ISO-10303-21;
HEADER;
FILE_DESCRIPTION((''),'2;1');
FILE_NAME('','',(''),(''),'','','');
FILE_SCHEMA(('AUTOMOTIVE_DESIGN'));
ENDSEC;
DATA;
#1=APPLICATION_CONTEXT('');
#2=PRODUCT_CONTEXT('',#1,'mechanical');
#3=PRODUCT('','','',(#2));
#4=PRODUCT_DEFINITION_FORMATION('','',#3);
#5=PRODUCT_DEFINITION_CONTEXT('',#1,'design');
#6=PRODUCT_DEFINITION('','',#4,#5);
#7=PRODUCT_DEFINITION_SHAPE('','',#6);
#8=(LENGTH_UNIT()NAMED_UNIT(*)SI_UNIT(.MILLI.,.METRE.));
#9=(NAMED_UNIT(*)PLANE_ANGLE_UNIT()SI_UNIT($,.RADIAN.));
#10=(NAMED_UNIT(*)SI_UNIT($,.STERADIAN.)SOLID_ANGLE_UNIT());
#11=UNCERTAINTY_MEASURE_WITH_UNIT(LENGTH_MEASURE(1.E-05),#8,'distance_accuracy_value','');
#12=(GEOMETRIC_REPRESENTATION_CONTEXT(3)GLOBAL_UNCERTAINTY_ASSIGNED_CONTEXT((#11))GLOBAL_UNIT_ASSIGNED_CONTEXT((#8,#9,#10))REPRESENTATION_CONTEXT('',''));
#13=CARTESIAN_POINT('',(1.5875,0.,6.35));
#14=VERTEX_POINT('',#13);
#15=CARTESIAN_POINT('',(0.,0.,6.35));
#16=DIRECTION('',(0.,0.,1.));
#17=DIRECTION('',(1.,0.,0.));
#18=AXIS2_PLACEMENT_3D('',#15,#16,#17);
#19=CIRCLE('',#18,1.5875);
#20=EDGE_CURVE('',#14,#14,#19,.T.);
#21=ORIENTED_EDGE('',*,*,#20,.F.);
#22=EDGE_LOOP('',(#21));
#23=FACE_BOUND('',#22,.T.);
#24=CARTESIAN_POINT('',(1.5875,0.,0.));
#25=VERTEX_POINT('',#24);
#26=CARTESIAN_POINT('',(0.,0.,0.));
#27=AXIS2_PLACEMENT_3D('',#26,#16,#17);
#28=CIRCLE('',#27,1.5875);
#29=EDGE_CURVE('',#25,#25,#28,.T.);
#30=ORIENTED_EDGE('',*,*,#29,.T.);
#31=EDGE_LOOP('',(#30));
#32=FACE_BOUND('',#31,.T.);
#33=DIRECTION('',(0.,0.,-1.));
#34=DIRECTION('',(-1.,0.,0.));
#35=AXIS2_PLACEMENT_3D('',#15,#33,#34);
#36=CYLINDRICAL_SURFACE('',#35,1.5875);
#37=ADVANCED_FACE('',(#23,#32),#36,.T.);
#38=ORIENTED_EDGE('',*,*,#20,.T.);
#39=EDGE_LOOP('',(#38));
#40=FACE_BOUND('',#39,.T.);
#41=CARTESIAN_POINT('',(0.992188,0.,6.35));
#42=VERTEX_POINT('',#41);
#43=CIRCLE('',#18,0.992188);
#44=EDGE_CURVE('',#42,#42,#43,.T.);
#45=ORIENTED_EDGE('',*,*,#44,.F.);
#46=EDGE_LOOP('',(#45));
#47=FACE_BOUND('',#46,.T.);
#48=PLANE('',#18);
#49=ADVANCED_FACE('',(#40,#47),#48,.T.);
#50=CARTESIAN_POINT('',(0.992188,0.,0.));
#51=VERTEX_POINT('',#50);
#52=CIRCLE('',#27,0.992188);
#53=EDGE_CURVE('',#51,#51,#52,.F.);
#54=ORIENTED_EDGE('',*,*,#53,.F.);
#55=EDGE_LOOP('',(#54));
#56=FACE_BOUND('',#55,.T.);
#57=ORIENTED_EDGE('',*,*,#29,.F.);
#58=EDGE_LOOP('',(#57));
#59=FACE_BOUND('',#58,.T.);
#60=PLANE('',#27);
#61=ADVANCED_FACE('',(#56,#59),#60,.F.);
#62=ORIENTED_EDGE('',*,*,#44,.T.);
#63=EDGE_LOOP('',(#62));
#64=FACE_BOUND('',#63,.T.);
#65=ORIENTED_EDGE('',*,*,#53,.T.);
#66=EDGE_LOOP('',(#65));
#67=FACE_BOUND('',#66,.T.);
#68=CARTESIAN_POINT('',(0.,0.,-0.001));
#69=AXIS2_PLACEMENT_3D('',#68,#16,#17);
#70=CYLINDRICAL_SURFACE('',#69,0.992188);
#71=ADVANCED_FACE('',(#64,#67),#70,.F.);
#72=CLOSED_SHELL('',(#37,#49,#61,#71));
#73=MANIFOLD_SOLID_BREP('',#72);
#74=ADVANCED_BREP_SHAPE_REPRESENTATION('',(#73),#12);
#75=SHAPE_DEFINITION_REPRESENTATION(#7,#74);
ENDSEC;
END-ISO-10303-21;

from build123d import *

# Parameters (mm, degrees)
SKETCH1_R           = 1.5875
BOSS_EXTRUDE1_DEPTH = 6.35
CUT_EXTRUDE1_REACH  = 8.35
SKETCH2_R           = 0.9921875


with BuildPart() as part:
    # Sketch1 → Boss-Extrude1 (new body)
    with BuildSketch(Plane.XY):
        Circle(SKETCH1_R)
    extrude(amount=BOSS_EXTRUDE1_DEPTH)

    # Sketch2 → Cut-Extrude1 (cut, up to next)
    with BuildSketch(Plane.XY.offset(6.35), mode=Mode.PRIVATE) as cut_extrude1_sk1:
        Circle(SKETCH2_R)
    cut_extrude1_tool1 = extrude(cut_extrude1_sk1.sketch, amount=-CUT_EXTRUDE1_REACH, mode=Mode.PRIVATE) & part.part
    add(cut_extrude1_tool1.solids().sort_by_distance((0, 0, 6.35))[0], mode=Mode.SUBTRACT)


solid = part.part
